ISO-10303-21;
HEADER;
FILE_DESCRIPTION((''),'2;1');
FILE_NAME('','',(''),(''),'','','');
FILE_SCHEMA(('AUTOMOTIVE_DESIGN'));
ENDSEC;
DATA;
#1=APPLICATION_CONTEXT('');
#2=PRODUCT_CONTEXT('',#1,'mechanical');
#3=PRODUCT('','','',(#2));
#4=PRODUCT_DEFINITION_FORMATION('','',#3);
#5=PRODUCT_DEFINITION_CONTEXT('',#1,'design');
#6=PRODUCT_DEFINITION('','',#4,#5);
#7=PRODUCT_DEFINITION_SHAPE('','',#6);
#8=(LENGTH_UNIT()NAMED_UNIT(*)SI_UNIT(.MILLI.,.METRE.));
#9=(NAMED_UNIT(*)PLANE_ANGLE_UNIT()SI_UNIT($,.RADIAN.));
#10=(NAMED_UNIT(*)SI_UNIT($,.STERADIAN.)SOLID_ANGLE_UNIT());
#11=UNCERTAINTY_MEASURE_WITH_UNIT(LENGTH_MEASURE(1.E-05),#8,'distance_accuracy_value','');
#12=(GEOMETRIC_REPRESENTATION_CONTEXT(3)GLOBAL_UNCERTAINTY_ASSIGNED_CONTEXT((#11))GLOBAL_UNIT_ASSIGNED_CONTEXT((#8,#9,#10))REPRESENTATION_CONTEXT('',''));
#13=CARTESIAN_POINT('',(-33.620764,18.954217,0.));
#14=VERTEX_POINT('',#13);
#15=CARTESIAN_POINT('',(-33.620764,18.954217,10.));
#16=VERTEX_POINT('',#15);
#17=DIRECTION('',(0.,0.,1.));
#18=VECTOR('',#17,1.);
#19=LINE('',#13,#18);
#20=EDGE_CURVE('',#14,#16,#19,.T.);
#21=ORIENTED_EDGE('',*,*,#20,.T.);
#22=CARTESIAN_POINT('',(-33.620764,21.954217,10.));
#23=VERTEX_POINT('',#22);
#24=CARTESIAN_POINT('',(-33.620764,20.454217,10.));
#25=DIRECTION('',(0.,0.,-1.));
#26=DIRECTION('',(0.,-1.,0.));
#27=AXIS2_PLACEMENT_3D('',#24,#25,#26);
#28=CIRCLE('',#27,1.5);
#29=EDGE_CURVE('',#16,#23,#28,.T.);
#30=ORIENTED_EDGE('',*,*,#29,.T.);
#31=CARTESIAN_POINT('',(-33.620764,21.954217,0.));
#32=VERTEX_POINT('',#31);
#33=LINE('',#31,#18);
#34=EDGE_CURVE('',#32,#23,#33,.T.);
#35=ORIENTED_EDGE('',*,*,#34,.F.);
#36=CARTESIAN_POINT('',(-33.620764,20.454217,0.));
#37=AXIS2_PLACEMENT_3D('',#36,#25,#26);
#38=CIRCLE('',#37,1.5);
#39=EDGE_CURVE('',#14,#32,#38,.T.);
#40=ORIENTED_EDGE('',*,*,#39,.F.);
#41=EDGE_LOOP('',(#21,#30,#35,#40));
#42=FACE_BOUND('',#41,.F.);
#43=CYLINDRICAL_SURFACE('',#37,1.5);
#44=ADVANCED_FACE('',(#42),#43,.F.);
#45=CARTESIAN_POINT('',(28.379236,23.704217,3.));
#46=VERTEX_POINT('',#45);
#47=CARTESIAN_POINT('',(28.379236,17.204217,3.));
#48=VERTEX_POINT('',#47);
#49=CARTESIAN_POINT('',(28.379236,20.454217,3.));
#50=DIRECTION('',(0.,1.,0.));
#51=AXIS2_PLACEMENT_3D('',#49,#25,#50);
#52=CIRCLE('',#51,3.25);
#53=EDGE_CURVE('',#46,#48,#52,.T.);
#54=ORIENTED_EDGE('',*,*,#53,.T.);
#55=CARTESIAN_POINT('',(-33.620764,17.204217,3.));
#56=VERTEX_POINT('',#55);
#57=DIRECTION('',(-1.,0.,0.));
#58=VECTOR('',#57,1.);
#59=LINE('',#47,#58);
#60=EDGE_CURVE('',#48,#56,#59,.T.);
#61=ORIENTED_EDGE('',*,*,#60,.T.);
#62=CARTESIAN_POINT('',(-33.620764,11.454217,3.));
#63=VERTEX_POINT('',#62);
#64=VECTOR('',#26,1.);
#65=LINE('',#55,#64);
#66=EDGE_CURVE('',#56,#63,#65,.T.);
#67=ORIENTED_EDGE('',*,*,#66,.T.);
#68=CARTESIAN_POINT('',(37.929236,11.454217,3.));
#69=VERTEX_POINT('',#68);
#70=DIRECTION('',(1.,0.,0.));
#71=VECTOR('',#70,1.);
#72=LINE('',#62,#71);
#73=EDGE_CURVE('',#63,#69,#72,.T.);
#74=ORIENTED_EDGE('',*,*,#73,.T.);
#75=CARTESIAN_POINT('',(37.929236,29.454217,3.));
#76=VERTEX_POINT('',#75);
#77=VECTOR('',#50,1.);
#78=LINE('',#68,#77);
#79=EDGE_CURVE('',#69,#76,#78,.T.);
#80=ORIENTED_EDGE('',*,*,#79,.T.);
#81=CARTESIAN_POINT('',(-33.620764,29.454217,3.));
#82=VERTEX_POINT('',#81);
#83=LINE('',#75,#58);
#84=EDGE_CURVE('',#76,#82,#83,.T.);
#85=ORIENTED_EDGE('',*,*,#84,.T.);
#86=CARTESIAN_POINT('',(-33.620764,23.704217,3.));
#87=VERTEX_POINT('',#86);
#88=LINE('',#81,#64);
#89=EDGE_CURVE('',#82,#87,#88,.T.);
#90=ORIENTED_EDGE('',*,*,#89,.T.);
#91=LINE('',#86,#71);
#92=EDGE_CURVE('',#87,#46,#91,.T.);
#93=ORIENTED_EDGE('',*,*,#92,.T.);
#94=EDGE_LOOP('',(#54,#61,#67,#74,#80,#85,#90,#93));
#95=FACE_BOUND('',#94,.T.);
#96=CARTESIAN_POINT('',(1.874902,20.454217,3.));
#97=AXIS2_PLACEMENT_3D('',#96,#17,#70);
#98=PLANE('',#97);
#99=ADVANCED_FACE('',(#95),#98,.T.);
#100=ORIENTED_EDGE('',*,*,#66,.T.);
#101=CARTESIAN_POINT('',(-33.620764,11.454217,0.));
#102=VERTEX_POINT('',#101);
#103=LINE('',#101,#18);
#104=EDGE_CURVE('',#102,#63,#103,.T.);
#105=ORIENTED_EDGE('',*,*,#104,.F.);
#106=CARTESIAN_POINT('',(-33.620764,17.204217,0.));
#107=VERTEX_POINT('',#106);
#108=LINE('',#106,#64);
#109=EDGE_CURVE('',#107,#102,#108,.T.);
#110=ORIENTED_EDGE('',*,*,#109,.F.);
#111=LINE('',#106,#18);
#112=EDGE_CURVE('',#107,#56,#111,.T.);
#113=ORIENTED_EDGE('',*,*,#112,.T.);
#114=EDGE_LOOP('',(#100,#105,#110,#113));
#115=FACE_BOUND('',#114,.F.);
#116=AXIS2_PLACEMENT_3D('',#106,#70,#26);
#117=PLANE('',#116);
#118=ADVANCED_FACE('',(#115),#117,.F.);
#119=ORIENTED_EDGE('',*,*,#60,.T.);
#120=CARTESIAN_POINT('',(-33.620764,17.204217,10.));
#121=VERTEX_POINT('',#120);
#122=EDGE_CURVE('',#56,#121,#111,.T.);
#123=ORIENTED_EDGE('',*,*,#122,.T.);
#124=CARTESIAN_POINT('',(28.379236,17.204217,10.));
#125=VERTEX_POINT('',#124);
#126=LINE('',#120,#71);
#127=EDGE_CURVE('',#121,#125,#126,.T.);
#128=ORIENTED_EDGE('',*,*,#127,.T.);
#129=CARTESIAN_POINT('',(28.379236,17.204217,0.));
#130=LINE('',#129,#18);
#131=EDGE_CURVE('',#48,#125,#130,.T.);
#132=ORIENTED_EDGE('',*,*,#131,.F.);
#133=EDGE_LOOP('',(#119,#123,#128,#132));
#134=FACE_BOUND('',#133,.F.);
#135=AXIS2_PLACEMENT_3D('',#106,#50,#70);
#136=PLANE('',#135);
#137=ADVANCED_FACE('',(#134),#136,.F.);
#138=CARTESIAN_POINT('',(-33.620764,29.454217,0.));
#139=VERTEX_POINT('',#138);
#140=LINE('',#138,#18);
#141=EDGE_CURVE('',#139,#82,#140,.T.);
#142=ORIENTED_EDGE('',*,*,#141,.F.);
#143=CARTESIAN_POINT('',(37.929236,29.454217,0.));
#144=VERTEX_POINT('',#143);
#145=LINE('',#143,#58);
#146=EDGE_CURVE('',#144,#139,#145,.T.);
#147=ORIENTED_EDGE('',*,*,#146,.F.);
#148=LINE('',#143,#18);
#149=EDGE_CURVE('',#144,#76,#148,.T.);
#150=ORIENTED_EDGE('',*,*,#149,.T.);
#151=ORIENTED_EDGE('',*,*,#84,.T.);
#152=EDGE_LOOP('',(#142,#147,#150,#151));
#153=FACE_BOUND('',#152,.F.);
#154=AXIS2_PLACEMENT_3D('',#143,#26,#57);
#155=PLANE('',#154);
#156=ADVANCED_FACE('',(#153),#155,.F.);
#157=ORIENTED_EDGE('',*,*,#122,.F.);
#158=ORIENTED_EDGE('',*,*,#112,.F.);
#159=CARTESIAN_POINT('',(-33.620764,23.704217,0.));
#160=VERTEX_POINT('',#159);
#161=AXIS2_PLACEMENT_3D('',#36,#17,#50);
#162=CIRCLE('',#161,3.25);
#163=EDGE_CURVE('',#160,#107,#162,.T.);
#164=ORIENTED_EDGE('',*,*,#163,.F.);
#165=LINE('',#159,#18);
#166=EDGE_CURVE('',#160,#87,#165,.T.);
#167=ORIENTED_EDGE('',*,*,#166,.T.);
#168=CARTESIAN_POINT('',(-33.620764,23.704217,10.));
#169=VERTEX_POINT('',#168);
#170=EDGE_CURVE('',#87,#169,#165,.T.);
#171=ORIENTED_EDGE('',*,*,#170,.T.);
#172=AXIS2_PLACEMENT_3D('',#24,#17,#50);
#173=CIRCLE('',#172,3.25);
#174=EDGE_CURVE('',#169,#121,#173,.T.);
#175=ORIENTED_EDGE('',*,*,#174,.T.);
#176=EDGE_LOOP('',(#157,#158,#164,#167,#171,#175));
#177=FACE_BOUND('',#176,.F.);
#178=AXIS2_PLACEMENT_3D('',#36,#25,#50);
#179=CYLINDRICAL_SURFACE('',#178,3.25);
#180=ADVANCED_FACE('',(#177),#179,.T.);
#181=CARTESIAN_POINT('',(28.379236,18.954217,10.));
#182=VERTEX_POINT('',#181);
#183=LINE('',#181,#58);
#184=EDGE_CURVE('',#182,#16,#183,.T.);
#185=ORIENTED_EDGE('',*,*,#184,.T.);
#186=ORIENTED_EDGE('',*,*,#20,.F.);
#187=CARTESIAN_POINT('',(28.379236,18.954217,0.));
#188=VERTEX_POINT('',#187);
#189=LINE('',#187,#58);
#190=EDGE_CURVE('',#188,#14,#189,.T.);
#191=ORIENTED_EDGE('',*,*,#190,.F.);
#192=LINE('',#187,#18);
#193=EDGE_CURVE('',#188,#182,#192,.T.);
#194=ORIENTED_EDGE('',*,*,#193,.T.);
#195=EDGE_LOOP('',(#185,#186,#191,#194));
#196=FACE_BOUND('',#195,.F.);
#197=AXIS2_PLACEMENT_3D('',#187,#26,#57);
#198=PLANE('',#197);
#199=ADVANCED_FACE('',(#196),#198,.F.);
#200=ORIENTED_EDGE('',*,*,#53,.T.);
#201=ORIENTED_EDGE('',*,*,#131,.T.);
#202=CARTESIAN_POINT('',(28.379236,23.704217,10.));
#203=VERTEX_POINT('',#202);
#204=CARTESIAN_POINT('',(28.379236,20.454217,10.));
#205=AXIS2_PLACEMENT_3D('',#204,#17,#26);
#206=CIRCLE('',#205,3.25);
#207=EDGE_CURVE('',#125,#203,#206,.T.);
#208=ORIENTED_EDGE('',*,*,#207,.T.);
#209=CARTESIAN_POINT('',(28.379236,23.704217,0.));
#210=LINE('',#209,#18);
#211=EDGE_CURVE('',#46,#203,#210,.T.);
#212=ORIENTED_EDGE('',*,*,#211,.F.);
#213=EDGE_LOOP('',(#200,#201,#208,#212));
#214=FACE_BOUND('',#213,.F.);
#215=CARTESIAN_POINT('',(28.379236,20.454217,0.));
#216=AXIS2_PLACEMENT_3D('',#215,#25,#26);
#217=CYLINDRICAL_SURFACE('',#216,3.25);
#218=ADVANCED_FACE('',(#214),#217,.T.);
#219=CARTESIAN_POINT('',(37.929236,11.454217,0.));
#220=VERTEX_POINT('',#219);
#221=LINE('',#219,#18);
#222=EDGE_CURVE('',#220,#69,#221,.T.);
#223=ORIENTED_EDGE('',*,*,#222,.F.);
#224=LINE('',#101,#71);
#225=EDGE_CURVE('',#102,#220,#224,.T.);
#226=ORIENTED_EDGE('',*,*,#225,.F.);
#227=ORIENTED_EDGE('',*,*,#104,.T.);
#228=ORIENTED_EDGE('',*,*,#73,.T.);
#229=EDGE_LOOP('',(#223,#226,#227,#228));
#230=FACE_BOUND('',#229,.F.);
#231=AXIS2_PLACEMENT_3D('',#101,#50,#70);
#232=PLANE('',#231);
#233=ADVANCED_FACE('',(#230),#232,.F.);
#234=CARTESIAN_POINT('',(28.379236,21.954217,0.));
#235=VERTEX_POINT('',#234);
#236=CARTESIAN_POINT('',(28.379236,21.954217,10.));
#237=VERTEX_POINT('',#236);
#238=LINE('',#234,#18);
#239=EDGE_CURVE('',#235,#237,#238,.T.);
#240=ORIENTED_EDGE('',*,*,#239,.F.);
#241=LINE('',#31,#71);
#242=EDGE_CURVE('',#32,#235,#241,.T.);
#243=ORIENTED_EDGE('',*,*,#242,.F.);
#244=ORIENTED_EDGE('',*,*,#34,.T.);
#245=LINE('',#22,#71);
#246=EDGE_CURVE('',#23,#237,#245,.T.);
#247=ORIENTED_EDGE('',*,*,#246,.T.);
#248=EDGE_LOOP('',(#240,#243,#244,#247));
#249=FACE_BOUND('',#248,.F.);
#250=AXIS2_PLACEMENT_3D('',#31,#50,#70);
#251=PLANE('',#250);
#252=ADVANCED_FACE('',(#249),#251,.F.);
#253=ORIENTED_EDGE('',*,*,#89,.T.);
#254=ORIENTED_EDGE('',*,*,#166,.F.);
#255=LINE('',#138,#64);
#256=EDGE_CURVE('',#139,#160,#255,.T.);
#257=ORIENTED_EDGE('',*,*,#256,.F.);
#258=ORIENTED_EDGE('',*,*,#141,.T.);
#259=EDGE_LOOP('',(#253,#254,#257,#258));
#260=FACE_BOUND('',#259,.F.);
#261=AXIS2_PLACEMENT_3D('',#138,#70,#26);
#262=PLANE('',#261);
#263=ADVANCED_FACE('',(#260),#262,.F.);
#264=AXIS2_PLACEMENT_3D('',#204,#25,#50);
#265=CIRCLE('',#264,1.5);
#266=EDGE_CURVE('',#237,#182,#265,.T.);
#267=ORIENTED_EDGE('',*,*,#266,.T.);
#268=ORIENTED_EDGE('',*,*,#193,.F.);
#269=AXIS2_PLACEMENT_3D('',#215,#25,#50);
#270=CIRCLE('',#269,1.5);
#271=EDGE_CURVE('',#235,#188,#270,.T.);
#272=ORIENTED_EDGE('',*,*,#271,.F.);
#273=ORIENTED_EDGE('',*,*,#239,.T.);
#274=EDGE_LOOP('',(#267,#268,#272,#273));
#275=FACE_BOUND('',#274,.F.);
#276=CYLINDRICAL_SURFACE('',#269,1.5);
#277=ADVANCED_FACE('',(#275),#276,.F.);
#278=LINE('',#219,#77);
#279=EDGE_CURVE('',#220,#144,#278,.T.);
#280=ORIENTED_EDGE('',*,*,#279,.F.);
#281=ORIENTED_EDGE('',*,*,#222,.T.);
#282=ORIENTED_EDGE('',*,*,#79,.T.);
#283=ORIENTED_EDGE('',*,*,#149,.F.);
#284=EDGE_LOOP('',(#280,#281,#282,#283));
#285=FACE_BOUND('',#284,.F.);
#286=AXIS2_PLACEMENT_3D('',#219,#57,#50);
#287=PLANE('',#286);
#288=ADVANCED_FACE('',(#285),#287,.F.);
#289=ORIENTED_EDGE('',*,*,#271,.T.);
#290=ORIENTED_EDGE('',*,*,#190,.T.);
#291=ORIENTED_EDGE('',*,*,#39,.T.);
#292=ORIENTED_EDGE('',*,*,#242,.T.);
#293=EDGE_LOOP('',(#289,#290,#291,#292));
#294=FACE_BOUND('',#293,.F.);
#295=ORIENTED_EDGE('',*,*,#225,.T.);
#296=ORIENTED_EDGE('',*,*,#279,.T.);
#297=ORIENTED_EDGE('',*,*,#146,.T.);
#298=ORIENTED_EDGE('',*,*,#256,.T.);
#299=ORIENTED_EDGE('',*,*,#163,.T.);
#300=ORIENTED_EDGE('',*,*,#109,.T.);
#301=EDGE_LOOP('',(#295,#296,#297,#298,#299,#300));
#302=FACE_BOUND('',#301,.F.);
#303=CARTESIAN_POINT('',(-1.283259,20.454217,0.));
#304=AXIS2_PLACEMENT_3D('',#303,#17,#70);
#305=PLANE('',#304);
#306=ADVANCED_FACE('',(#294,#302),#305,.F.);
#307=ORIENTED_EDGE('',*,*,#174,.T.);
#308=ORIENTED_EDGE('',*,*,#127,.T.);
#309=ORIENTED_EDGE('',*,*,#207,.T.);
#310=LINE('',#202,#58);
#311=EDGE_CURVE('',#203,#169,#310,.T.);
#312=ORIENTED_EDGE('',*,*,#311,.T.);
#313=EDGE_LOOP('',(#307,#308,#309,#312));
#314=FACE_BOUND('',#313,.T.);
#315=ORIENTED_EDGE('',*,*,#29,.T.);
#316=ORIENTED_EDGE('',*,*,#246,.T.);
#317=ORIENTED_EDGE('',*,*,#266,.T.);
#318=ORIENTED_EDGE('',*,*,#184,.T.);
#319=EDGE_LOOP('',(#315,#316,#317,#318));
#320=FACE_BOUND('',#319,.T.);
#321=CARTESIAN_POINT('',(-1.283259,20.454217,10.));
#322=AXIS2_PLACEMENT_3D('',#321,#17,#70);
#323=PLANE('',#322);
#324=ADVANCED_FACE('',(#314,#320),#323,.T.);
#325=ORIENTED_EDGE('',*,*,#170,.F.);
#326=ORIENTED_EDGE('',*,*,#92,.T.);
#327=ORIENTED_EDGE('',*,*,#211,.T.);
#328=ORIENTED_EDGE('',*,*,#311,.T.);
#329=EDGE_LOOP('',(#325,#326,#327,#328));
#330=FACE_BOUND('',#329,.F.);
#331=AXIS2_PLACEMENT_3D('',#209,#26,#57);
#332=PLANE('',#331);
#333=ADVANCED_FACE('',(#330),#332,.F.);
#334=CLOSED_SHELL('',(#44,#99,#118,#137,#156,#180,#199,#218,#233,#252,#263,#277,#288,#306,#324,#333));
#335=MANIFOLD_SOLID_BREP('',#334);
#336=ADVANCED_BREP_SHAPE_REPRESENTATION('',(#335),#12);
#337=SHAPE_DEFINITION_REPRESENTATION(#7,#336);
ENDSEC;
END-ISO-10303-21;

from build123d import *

# Parameters (mm, degrees)
F1_DEPTH = 3
F2_DEPTH = 10


with BuildPart() as f1:
    # F0 (on Top) → F1 (new body)
    with BuildSketch(Plane.XY):
        with BuildLine():
            Line((28.379236, 17.204217), (-33.620764, 17.204217))
            Line((-33.620764, 17.204217), (-33.620764, 11.454217))
            Line((-33.620764, 11.454217), (37.929236, 11.454217))
            Line((37.929236, 11.454217), (37.929236, 29.454217))
            Line((37.929236, 29.454217), (-33.620764, 29.454217))
            Line((-33.620764, 29.454217), (-33.620764, 23.704217))
            Line((-33.620764, 23.704217), (28.379236, 23.704217))
            ThreePointArc((28.379236, 23.704217), (31.629236, 20.454217), (28.379236, 17.204217))
        make_face()
    extrude(amount=F1_DEPTH)

    # F0 (on Top) → F2 (join)
    with BuildSketch(Plane.XY):
        with BuildLine():
            Line((-33.620764, 18.954217), (-33.620764, 17.204217))
            Line((-33.620764, 17.204217), (28.379236, 17.204217))
            ThreePointArc((28.379236, 17.204217), (31.629236, 20.454217), (28.379236, 23.704217))
            Line((28.379236, 23.704217), (-33.620764, 23.704217))
            Line((-33.620764, 23.704217), (-33.620764, 21.954217))
            Line((-33.620764, 21.954217), (28.379236, 21.954217))
            ThreePointArc((28.379236, 21.954217), (29.879236, 20.454217), (28.379236, 18.954217))
            Line((28.379236, 18.954217), (-33.620764, 18.954217))
        make_face()
        with BuildLine():
            ThreePointArc((-33.620764, 23.704217), (-36.870764, 20.454217), (-33.620764, 17.204217))
            Line((-33.620764, 17.204217), (-33.620764, 18.954217))
            ThreePointArc((-33.620764, 18.954217), (-35.120764, 20.454217), (-33.620764, 21.954217))
            Line((-33.620764, 21.954217), (-33.620764, 23.704217))
        make_face()
    extrude(amount=F2_DEPTH)


solid = f1.part
